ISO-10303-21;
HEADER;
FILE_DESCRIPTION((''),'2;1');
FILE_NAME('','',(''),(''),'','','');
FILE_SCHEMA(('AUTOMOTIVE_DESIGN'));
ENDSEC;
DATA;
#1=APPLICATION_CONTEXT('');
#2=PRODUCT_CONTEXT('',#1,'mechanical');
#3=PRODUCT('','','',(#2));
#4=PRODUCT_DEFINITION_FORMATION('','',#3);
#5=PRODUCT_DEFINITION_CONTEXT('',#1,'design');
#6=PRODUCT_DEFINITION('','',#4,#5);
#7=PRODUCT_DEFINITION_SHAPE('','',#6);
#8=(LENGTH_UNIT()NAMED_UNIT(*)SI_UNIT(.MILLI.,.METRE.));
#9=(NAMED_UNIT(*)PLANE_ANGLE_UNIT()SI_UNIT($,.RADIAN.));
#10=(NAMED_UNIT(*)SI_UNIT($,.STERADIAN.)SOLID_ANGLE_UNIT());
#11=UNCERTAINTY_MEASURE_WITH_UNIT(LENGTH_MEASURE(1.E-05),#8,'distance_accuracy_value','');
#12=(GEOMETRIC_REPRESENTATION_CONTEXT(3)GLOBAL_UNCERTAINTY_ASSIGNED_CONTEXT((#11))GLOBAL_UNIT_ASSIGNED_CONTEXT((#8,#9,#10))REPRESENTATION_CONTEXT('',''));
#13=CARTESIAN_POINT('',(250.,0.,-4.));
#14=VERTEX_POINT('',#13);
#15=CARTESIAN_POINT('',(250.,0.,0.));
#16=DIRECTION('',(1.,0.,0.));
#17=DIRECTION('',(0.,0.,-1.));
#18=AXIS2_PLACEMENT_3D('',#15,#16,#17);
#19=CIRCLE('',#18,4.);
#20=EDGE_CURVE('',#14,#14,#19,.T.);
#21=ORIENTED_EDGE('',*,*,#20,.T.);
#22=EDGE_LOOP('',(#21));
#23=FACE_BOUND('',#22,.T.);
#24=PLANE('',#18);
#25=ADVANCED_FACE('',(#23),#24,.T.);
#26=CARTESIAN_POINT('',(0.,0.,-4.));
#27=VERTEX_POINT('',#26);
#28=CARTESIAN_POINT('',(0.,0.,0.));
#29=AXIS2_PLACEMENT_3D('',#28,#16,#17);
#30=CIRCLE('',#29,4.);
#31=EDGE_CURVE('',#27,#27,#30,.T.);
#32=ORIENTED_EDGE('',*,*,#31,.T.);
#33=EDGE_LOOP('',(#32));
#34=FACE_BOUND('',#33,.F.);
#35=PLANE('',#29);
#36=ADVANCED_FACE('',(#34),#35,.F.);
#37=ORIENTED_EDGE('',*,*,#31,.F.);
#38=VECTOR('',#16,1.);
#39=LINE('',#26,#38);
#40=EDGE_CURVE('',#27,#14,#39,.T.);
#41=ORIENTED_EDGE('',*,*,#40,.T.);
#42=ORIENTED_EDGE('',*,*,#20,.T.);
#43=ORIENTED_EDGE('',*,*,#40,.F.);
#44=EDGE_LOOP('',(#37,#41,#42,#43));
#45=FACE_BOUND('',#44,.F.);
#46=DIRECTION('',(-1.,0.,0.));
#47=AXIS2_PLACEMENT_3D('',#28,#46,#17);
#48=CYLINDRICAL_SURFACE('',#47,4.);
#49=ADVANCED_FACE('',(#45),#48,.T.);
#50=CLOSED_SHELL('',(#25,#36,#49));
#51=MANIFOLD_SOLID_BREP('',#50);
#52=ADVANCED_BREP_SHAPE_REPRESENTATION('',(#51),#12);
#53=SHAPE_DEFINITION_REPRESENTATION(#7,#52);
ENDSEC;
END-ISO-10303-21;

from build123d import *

# Parameters (mm, degrees)
SKETCH2_R           = 4
BOSS_EXTRUDE1_DEPTH = 250


with BuildPart() as part:
    # Sketch2 → Boss-Extrude1 (new body)
    with BuildSketch(Plane(origin=(0, 0, 0), x_dir=(0, 0, -1), z_dir=(1, 0, 0))):
        Circle(SKETCH2_R)
    extrude(amount=BOSS_EXTRUDE1_DEPTH)


solid = part.part
